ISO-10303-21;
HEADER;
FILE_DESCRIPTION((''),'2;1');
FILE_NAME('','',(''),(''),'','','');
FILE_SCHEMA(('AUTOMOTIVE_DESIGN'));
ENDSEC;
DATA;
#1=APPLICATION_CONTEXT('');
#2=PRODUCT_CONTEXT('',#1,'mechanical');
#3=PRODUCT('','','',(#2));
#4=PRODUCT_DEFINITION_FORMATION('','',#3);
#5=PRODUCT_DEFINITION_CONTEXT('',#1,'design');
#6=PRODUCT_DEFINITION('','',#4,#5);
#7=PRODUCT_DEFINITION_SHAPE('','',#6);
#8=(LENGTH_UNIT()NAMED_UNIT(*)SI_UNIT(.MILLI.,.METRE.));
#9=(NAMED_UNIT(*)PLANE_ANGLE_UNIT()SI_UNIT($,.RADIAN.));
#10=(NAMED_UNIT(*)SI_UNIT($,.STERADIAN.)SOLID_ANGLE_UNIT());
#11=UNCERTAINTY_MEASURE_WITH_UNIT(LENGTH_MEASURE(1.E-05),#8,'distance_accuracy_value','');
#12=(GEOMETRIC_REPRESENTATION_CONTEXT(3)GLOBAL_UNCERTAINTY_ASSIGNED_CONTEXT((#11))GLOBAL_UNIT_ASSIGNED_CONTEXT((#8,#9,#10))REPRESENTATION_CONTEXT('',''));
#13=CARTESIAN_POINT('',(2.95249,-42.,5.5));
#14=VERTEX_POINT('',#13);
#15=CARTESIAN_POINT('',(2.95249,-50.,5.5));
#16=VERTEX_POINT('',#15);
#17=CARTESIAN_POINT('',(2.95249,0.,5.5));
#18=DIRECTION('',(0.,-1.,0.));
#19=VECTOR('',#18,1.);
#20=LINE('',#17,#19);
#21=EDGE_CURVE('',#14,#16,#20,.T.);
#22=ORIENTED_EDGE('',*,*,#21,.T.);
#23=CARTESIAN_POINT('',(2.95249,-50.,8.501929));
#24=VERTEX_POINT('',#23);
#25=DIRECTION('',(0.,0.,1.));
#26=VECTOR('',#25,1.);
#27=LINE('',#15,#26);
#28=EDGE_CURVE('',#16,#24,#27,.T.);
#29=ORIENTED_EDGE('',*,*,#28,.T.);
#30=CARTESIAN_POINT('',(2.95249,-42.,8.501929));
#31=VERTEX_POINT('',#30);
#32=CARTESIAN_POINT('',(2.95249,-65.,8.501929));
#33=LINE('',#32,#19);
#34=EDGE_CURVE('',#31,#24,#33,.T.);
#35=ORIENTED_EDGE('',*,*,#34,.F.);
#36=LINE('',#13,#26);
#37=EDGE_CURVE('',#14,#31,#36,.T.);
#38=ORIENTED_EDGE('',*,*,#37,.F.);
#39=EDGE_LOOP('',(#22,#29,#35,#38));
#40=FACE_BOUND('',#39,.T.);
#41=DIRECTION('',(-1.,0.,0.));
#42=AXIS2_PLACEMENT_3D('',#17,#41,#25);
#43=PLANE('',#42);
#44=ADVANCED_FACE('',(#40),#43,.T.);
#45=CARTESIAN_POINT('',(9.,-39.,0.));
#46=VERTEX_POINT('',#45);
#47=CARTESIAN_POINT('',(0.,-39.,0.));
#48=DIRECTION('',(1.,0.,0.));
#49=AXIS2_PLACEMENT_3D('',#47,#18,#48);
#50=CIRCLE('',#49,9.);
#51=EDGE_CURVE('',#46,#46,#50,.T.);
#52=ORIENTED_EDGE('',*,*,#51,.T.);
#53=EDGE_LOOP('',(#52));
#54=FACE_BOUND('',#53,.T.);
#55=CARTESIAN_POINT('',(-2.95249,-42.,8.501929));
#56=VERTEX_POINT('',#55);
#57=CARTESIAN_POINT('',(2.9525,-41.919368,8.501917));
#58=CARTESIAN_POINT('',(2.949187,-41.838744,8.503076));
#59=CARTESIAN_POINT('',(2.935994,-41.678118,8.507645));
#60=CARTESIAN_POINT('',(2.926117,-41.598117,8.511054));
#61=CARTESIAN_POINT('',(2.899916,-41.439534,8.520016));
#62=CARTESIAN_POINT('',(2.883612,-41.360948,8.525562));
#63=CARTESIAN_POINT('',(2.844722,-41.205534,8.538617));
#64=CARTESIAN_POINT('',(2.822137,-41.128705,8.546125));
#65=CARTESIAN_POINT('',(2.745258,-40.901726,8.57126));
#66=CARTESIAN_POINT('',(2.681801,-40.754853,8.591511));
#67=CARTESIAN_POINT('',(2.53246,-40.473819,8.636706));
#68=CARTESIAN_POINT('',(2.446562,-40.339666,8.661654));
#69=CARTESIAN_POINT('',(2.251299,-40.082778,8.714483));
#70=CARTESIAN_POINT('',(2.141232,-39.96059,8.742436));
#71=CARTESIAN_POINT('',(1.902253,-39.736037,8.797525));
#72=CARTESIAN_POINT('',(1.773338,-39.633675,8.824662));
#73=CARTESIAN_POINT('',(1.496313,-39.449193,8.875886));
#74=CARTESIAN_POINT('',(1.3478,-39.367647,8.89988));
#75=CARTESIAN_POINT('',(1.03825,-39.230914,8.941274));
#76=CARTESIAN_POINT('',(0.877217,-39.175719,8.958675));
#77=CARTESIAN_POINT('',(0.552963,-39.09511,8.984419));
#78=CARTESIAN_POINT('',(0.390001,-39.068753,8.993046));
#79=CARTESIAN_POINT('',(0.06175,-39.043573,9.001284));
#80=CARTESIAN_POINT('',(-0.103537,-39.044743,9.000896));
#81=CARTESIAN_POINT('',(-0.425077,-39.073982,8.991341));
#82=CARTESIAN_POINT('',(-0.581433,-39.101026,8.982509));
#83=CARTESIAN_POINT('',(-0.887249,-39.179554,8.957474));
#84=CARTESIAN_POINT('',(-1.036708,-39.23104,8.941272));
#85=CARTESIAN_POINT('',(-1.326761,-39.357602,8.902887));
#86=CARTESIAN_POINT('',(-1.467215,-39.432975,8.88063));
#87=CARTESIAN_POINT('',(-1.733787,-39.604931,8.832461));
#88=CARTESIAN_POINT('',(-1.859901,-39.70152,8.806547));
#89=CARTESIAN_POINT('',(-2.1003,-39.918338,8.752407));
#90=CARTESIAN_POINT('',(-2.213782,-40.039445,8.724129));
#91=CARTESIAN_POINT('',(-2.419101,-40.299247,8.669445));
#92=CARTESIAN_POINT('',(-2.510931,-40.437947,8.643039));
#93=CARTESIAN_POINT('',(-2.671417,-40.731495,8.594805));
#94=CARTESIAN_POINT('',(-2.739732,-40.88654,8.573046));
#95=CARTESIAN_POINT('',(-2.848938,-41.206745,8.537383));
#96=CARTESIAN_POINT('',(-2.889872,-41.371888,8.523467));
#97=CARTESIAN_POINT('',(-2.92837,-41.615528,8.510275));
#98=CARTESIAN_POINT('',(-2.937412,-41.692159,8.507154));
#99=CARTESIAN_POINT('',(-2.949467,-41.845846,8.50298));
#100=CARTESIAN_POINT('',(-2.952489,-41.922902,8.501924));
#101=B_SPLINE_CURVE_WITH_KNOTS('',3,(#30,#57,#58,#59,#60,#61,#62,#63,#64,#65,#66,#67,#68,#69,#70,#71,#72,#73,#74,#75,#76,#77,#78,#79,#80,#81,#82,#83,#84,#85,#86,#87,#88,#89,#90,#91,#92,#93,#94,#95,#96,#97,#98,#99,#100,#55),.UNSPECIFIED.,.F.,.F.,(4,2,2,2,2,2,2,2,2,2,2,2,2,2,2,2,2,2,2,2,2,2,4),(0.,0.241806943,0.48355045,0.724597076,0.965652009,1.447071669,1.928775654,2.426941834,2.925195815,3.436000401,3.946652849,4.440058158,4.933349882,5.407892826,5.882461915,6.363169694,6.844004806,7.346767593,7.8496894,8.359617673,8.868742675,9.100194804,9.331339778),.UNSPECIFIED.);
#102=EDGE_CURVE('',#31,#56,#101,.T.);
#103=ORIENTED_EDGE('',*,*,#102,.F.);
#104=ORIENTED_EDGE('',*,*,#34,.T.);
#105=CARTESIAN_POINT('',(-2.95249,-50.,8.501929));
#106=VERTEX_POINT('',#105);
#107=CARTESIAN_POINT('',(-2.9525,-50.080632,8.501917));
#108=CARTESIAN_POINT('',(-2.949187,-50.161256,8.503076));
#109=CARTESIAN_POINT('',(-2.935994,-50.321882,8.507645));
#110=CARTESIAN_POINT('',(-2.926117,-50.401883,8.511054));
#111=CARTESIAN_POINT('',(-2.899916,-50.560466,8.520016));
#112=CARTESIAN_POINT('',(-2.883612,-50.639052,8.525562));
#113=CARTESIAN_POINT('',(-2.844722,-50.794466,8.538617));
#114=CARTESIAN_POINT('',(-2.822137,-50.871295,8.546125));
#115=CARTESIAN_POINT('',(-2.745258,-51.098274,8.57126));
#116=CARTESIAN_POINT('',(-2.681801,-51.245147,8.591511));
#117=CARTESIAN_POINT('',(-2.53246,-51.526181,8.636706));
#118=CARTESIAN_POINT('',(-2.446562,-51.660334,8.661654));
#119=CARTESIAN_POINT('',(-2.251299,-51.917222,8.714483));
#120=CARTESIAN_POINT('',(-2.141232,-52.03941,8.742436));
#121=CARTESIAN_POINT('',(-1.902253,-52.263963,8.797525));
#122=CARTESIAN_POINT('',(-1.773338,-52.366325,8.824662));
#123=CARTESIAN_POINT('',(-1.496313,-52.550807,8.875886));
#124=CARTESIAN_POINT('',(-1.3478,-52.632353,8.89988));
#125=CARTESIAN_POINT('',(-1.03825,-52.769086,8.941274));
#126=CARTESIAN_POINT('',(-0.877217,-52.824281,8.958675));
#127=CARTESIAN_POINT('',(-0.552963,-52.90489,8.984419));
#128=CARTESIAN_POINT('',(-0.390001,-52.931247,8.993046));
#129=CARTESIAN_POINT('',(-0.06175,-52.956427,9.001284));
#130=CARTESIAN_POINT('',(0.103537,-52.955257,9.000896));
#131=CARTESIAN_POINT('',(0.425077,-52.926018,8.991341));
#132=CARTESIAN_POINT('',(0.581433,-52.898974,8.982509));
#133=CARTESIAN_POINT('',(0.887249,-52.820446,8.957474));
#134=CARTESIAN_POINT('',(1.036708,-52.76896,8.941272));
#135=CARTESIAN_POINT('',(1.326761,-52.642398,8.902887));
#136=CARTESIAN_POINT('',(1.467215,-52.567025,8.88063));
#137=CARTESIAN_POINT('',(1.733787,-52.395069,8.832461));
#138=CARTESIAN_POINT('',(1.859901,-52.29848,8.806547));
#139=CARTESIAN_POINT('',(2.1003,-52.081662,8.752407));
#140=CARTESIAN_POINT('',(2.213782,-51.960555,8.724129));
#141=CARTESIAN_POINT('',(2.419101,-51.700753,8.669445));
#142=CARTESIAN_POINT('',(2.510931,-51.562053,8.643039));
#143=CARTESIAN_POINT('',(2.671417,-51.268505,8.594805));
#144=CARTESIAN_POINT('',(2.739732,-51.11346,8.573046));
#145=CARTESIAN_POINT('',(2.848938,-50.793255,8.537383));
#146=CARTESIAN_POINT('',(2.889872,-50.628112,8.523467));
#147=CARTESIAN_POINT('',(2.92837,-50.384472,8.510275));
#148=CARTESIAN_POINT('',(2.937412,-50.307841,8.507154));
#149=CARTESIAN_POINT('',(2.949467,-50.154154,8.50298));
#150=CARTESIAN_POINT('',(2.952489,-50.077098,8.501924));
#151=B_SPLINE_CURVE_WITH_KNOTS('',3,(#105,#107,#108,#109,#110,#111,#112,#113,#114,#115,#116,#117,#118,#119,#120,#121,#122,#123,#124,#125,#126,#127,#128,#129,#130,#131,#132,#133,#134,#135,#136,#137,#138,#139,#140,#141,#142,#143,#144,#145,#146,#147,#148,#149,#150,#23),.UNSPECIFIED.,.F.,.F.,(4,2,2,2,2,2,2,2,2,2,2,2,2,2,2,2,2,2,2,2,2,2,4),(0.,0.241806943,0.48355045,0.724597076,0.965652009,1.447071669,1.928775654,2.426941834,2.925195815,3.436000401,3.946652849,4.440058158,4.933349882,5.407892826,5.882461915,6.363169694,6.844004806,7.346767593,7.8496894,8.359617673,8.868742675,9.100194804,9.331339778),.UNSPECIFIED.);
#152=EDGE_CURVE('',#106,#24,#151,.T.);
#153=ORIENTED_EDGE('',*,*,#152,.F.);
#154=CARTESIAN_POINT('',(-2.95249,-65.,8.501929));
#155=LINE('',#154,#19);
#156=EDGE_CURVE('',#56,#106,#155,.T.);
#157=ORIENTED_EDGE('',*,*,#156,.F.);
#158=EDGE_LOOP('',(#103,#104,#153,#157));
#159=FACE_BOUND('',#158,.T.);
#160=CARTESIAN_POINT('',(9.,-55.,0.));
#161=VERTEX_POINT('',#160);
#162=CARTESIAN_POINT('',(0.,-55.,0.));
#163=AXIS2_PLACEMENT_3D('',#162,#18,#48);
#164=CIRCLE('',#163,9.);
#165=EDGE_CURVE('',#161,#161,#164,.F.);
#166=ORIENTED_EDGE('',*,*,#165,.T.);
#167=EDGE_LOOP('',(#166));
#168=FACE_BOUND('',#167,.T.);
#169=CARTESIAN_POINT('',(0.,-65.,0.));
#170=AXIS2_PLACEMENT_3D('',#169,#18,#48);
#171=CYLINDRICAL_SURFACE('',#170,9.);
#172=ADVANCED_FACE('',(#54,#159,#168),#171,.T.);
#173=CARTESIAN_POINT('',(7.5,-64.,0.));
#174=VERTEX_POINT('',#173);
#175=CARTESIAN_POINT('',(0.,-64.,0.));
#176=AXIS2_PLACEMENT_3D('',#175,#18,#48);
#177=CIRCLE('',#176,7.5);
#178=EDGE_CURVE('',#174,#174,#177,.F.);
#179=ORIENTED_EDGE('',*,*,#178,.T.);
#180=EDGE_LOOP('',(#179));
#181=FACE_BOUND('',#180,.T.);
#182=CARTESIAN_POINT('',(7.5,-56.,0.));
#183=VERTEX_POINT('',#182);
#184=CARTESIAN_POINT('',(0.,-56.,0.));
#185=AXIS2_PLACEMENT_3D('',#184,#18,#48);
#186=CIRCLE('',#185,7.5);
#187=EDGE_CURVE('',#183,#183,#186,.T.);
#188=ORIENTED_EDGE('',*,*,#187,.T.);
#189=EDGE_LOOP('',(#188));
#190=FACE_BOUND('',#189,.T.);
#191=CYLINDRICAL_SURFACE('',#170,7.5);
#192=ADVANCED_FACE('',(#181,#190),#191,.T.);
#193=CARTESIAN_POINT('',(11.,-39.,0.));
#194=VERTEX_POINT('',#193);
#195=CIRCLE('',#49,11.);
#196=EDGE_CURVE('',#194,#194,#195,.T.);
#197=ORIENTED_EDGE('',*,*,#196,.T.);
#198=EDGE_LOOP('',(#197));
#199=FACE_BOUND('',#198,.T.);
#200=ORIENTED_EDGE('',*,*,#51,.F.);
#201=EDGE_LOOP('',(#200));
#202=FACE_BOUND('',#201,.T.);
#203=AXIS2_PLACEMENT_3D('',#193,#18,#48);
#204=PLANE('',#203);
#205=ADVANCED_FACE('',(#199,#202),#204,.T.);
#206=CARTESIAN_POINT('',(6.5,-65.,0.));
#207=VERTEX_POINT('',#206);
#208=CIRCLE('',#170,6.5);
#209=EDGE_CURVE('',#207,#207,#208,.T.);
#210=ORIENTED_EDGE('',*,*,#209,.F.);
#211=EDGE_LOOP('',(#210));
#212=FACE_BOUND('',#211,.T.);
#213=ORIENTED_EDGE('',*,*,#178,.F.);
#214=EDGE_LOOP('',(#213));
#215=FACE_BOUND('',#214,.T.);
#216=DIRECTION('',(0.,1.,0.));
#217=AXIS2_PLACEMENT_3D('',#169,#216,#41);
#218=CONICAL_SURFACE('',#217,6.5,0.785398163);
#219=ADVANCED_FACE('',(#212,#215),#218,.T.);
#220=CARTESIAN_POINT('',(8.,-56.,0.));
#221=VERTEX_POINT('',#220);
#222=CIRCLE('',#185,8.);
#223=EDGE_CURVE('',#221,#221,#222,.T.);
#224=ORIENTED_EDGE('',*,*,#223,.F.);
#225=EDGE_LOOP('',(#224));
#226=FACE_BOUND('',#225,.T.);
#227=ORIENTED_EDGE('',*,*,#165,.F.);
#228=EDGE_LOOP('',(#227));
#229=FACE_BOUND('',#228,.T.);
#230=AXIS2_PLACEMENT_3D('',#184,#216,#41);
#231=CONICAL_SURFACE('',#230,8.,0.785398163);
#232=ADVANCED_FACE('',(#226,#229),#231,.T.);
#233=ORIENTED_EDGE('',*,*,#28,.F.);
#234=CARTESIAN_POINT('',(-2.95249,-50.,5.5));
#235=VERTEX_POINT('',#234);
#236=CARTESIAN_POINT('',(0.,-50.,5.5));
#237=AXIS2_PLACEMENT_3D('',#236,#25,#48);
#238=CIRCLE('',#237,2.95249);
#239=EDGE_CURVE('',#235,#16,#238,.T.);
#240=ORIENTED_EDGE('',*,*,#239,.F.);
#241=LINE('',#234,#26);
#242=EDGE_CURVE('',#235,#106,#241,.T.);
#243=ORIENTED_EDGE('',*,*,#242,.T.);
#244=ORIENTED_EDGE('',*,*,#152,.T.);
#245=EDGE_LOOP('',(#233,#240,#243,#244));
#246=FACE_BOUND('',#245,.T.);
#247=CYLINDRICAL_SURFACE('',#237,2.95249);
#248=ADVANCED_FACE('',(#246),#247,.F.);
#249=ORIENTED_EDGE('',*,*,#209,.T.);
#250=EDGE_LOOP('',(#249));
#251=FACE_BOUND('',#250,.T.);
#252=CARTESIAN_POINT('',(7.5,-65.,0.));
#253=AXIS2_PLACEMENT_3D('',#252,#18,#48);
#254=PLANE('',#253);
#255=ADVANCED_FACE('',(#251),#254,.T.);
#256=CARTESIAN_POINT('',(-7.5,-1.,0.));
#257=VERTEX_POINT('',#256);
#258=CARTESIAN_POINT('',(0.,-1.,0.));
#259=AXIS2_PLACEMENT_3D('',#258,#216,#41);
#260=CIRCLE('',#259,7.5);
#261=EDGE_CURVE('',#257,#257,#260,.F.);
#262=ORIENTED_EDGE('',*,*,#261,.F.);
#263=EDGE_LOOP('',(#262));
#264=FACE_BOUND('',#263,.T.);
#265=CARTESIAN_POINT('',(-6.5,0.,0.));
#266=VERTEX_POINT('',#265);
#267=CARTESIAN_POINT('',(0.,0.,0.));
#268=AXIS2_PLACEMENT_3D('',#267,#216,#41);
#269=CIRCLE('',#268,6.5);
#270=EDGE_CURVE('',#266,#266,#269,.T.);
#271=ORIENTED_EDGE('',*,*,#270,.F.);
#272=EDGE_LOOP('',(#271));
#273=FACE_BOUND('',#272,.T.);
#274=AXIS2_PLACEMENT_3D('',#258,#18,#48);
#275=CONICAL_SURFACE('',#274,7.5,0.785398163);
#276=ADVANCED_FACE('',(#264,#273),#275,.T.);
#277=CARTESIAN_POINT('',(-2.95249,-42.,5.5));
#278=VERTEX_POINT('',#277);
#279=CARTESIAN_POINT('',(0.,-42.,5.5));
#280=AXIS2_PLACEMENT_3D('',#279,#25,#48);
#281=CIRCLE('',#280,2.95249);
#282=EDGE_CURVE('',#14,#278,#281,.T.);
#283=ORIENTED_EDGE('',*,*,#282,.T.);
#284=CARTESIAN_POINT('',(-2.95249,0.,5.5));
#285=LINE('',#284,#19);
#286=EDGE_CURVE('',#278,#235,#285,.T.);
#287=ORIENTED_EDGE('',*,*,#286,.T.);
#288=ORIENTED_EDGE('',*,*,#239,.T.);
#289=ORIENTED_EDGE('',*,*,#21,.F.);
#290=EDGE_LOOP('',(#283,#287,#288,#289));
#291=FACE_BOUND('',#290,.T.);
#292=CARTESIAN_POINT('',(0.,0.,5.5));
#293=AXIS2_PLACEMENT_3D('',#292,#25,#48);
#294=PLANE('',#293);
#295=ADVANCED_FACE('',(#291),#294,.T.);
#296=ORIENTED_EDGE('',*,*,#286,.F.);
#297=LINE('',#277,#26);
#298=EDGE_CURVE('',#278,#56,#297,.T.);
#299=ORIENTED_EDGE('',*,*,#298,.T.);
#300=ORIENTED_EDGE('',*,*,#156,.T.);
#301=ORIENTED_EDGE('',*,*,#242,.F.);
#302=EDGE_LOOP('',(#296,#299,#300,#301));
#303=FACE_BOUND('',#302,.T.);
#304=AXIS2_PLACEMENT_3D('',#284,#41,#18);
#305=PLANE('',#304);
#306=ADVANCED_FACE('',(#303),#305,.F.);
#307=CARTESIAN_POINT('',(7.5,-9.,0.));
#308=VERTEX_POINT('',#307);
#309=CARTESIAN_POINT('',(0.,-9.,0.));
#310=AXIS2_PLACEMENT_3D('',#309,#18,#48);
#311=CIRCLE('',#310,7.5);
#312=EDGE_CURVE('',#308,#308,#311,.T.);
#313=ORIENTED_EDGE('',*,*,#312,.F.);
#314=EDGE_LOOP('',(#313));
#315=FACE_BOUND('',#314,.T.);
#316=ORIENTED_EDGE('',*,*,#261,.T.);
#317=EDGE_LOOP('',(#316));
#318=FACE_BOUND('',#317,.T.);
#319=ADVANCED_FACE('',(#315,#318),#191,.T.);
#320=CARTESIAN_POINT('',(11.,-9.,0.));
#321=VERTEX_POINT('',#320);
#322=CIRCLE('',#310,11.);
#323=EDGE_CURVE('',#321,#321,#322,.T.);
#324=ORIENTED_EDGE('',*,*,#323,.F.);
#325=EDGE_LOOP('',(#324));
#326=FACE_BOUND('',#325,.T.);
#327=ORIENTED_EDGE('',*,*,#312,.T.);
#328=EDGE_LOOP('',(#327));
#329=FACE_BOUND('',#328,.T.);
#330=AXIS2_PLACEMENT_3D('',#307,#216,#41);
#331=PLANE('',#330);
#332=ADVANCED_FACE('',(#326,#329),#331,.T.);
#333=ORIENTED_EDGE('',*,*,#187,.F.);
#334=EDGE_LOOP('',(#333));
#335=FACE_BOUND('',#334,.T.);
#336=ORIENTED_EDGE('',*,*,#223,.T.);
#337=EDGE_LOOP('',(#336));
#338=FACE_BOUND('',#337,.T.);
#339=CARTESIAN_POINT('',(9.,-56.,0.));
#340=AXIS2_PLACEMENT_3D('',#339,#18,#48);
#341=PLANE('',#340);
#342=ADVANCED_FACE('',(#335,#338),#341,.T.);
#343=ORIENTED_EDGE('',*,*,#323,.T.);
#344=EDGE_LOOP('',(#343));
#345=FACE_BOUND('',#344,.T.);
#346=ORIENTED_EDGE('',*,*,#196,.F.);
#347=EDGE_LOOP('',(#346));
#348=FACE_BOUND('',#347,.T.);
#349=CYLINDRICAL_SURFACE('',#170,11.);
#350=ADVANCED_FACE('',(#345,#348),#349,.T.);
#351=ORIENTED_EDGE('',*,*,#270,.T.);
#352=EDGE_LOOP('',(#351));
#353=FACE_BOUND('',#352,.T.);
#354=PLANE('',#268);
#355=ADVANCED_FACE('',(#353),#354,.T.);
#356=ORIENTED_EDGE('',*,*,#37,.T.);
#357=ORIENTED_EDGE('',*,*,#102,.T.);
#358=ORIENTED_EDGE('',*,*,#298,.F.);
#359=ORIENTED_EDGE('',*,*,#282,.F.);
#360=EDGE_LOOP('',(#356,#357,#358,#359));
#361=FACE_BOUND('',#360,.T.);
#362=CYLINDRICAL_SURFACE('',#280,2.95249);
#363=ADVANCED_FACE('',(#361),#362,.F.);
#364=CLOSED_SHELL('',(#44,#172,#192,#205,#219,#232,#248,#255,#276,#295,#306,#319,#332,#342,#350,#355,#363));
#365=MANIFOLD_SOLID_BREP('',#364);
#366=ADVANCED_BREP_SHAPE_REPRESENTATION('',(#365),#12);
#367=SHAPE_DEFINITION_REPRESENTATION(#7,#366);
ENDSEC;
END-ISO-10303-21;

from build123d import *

# Parameters (mm, degrees)
CHAMFER1_SIZE      = 1
CUT_EXTRUDE1_DEPTH = 3.5


with BuildPart() as part:
    # Sketch1 → Revolve1 (revolve)
    with BuildSketch(Plane.XY):
        Polygon((0, 0), (7.5, 0), (7.5, -9), (11, -9), (11, -39), (9, -39), (9, -56), (7.5, -56), (7.5, -65), (0, -65), align=None)
    revolve(axis=Axis((0, -65, 0), (0, 1, 0)))

    # Chamfer1
    chamfer1_edges = [part.edges().sort_by_distance(p)[0] for p in [
        (-7.5, 0, 0),
        (-7.5, -65, 0),
        (-9, -56, 0),
    ]]
    chamfer(chamfer1_edges, length=CHAMFER1_SIZE)

    # Sketch4 → Cut-Extrude1 (cut)
    with BuildSketch(Plane.XY.offset(9)):
        with BuildLine():
            Line((2.952489762, -42), (2.952489762, -50))
            ThreePointArc((2.952489762, -50), (0, -52.952489762), (-2.952489762, -50))
            Line((-2.952489762, -50), (-2.952489762, -42))
            ThreePointArc((-2.952489762, -42), (0, -39.047510238), (2.952489762, -42))
        make_face()
    extrude(amount=-CUT_EXTRUDE1_DEPTH, mode=Mode.SUBTRACT)


solid = part.part
